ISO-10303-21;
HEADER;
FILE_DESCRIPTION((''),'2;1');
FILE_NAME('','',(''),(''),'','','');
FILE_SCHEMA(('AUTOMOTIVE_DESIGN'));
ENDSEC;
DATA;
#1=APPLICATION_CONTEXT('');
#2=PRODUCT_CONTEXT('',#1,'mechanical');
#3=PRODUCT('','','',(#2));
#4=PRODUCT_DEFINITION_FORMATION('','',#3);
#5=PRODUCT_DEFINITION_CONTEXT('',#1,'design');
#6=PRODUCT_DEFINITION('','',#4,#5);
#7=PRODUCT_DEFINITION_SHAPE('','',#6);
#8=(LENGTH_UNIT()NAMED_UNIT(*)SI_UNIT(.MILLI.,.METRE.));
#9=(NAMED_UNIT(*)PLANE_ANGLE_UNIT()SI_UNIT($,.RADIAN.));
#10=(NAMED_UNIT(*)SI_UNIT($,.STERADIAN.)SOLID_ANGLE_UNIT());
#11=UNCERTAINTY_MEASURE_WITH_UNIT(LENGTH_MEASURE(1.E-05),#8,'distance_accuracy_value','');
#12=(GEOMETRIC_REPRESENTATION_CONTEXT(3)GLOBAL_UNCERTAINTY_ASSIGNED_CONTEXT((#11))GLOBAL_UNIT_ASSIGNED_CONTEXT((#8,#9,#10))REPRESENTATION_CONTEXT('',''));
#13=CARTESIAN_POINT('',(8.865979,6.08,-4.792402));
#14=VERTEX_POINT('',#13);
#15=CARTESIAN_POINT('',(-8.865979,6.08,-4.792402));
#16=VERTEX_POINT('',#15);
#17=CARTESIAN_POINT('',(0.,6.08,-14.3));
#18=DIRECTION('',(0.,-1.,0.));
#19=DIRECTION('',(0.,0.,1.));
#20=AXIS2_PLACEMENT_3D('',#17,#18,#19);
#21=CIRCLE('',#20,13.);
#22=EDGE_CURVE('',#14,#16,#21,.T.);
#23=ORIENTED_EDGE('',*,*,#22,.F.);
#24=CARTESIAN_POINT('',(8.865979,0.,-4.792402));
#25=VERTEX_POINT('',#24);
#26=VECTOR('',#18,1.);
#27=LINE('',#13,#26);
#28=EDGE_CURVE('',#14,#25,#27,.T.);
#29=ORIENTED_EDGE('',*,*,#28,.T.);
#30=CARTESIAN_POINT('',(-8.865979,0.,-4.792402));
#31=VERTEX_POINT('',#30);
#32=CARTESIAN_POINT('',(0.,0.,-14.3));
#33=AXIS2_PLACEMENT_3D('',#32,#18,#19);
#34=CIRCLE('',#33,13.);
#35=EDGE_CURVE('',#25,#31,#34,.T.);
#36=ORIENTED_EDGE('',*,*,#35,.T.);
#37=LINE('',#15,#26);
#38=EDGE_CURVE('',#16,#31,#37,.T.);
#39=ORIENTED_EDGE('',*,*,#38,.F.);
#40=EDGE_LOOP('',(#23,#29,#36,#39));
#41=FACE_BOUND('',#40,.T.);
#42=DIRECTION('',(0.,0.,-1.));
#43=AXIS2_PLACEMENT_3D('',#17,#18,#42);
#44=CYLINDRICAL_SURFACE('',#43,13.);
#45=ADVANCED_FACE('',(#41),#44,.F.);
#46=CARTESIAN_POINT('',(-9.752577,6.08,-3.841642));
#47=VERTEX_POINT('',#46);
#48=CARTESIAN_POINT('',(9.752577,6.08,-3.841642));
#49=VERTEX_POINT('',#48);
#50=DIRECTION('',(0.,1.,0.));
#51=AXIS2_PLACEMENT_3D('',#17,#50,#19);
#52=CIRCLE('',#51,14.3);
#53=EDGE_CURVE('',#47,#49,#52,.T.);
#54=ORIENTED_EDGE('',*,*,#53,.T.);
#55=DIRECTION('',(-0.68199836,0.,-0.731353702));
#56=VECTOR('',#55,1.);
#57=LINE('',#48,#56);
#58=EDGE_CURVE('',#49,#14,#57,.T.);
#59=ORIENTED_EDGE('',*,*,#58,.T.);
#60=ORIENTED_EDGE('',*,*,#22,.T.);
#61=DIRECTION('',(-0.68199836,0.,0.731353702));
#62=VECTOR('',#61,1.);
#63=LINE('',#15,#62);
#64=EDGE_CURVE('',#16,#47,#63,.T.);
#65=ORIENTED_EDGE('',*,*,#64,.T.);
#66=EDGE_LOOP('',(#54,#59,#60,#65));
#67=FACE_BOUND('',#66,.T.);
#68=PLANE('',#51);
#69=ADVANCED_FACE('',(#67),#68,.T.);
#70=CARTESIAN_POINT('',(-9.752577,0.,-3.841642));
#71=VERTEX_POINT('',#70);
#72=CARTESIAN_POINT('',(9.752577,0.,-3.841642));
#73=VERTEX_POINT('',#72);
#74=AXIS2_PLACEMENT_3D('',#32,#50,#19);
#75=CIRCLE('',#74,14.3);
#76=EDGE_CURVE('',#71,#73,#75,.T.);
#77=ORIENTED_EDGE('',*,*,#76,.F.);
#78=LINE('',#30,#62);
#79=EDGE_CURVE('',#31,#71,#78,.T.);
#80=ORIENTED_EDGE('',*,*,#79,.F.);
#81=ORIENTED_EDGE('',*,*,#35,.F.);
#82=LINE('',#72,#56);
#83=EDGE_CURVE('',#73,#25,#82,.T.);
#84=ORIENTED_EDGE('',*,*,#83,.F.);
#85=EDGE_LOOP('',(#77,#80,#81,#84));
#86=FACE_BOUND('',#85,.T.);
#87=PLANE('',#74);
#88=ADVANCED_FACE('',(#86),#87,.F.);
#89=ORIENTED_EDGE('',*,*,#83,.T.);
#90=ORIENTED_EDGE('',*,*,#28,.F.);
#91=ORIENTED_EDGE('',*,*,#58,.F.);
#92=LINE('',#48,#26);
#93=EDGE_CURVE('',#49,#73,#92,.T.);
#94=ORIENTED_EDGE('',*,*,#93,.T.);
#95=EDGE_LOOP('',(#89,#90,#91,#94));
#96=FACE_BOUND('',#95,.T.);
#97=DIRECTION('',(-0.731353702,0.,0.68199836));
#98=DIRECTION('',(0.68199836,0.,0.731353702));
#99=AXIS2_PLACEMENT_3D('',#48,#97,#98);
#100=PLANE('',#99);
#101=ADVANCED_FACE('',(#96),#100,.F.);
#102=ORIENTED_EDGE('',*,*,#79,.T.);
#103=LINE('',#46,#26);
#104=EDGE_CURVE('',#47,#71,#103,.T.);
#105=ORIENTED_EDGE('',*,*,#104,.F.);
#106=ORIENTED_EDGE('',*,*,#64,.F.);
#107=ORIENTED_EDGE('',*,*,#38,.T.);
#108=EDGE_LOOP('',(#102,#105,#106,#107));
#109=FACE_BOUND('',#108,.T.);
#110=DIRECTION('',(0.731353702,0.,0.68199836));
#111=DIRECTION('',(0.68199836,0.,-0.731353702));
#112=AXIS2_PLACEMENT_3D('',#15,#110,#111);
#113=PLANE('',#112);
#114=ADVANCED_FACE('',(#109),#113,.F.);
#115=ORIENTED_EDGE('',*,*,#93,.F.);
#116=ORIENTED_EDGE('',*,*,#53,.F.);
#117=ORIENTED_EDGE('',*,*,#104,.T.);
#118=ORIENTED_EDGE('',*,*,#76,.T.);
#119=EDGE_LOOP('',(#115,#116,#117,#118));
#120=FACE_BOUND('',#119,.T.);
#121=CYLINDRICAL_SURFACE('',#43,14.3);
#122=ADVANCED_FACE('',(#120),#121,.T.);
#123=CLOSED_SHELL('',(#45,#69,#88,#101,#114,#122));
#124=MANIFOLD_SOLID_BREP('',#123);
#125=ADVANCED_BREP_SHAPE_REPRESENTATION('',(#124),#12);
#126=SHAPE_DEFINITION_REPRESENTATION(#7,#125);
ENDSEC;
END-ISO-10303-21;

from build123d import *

# Parameters (mm, degrees)
BOSS_EXTRUDE1_DEPTH = 6.08


with BuildPart() as part:
    # Sketch1 → Boss-Extrude1 (new body)
    with BuildSketch(Plane(origin=(0, 0, 0), x_dir=(1, 0, 0), z_dir=(0, 1, 0))):
        with BuildLine():
            Line((9.752576549, 3.841642067), (8.865978681, 4.792401879))
            ThreePointArc((8.865978681, 4.792401879), (0, 1.3), (-8.865978681, 4.792401879))
            Line((-8.865978681, 4.792401879), (-9.752576549, 3.841642067))
            ThreePointArc((-9.752576549, 3.841642067), (0, 0), (9.752576549, 3.841642067))
        make_face()
    extrude(amount=BOSS_EXTRUDE1_DEPTH)


solid = part.part
